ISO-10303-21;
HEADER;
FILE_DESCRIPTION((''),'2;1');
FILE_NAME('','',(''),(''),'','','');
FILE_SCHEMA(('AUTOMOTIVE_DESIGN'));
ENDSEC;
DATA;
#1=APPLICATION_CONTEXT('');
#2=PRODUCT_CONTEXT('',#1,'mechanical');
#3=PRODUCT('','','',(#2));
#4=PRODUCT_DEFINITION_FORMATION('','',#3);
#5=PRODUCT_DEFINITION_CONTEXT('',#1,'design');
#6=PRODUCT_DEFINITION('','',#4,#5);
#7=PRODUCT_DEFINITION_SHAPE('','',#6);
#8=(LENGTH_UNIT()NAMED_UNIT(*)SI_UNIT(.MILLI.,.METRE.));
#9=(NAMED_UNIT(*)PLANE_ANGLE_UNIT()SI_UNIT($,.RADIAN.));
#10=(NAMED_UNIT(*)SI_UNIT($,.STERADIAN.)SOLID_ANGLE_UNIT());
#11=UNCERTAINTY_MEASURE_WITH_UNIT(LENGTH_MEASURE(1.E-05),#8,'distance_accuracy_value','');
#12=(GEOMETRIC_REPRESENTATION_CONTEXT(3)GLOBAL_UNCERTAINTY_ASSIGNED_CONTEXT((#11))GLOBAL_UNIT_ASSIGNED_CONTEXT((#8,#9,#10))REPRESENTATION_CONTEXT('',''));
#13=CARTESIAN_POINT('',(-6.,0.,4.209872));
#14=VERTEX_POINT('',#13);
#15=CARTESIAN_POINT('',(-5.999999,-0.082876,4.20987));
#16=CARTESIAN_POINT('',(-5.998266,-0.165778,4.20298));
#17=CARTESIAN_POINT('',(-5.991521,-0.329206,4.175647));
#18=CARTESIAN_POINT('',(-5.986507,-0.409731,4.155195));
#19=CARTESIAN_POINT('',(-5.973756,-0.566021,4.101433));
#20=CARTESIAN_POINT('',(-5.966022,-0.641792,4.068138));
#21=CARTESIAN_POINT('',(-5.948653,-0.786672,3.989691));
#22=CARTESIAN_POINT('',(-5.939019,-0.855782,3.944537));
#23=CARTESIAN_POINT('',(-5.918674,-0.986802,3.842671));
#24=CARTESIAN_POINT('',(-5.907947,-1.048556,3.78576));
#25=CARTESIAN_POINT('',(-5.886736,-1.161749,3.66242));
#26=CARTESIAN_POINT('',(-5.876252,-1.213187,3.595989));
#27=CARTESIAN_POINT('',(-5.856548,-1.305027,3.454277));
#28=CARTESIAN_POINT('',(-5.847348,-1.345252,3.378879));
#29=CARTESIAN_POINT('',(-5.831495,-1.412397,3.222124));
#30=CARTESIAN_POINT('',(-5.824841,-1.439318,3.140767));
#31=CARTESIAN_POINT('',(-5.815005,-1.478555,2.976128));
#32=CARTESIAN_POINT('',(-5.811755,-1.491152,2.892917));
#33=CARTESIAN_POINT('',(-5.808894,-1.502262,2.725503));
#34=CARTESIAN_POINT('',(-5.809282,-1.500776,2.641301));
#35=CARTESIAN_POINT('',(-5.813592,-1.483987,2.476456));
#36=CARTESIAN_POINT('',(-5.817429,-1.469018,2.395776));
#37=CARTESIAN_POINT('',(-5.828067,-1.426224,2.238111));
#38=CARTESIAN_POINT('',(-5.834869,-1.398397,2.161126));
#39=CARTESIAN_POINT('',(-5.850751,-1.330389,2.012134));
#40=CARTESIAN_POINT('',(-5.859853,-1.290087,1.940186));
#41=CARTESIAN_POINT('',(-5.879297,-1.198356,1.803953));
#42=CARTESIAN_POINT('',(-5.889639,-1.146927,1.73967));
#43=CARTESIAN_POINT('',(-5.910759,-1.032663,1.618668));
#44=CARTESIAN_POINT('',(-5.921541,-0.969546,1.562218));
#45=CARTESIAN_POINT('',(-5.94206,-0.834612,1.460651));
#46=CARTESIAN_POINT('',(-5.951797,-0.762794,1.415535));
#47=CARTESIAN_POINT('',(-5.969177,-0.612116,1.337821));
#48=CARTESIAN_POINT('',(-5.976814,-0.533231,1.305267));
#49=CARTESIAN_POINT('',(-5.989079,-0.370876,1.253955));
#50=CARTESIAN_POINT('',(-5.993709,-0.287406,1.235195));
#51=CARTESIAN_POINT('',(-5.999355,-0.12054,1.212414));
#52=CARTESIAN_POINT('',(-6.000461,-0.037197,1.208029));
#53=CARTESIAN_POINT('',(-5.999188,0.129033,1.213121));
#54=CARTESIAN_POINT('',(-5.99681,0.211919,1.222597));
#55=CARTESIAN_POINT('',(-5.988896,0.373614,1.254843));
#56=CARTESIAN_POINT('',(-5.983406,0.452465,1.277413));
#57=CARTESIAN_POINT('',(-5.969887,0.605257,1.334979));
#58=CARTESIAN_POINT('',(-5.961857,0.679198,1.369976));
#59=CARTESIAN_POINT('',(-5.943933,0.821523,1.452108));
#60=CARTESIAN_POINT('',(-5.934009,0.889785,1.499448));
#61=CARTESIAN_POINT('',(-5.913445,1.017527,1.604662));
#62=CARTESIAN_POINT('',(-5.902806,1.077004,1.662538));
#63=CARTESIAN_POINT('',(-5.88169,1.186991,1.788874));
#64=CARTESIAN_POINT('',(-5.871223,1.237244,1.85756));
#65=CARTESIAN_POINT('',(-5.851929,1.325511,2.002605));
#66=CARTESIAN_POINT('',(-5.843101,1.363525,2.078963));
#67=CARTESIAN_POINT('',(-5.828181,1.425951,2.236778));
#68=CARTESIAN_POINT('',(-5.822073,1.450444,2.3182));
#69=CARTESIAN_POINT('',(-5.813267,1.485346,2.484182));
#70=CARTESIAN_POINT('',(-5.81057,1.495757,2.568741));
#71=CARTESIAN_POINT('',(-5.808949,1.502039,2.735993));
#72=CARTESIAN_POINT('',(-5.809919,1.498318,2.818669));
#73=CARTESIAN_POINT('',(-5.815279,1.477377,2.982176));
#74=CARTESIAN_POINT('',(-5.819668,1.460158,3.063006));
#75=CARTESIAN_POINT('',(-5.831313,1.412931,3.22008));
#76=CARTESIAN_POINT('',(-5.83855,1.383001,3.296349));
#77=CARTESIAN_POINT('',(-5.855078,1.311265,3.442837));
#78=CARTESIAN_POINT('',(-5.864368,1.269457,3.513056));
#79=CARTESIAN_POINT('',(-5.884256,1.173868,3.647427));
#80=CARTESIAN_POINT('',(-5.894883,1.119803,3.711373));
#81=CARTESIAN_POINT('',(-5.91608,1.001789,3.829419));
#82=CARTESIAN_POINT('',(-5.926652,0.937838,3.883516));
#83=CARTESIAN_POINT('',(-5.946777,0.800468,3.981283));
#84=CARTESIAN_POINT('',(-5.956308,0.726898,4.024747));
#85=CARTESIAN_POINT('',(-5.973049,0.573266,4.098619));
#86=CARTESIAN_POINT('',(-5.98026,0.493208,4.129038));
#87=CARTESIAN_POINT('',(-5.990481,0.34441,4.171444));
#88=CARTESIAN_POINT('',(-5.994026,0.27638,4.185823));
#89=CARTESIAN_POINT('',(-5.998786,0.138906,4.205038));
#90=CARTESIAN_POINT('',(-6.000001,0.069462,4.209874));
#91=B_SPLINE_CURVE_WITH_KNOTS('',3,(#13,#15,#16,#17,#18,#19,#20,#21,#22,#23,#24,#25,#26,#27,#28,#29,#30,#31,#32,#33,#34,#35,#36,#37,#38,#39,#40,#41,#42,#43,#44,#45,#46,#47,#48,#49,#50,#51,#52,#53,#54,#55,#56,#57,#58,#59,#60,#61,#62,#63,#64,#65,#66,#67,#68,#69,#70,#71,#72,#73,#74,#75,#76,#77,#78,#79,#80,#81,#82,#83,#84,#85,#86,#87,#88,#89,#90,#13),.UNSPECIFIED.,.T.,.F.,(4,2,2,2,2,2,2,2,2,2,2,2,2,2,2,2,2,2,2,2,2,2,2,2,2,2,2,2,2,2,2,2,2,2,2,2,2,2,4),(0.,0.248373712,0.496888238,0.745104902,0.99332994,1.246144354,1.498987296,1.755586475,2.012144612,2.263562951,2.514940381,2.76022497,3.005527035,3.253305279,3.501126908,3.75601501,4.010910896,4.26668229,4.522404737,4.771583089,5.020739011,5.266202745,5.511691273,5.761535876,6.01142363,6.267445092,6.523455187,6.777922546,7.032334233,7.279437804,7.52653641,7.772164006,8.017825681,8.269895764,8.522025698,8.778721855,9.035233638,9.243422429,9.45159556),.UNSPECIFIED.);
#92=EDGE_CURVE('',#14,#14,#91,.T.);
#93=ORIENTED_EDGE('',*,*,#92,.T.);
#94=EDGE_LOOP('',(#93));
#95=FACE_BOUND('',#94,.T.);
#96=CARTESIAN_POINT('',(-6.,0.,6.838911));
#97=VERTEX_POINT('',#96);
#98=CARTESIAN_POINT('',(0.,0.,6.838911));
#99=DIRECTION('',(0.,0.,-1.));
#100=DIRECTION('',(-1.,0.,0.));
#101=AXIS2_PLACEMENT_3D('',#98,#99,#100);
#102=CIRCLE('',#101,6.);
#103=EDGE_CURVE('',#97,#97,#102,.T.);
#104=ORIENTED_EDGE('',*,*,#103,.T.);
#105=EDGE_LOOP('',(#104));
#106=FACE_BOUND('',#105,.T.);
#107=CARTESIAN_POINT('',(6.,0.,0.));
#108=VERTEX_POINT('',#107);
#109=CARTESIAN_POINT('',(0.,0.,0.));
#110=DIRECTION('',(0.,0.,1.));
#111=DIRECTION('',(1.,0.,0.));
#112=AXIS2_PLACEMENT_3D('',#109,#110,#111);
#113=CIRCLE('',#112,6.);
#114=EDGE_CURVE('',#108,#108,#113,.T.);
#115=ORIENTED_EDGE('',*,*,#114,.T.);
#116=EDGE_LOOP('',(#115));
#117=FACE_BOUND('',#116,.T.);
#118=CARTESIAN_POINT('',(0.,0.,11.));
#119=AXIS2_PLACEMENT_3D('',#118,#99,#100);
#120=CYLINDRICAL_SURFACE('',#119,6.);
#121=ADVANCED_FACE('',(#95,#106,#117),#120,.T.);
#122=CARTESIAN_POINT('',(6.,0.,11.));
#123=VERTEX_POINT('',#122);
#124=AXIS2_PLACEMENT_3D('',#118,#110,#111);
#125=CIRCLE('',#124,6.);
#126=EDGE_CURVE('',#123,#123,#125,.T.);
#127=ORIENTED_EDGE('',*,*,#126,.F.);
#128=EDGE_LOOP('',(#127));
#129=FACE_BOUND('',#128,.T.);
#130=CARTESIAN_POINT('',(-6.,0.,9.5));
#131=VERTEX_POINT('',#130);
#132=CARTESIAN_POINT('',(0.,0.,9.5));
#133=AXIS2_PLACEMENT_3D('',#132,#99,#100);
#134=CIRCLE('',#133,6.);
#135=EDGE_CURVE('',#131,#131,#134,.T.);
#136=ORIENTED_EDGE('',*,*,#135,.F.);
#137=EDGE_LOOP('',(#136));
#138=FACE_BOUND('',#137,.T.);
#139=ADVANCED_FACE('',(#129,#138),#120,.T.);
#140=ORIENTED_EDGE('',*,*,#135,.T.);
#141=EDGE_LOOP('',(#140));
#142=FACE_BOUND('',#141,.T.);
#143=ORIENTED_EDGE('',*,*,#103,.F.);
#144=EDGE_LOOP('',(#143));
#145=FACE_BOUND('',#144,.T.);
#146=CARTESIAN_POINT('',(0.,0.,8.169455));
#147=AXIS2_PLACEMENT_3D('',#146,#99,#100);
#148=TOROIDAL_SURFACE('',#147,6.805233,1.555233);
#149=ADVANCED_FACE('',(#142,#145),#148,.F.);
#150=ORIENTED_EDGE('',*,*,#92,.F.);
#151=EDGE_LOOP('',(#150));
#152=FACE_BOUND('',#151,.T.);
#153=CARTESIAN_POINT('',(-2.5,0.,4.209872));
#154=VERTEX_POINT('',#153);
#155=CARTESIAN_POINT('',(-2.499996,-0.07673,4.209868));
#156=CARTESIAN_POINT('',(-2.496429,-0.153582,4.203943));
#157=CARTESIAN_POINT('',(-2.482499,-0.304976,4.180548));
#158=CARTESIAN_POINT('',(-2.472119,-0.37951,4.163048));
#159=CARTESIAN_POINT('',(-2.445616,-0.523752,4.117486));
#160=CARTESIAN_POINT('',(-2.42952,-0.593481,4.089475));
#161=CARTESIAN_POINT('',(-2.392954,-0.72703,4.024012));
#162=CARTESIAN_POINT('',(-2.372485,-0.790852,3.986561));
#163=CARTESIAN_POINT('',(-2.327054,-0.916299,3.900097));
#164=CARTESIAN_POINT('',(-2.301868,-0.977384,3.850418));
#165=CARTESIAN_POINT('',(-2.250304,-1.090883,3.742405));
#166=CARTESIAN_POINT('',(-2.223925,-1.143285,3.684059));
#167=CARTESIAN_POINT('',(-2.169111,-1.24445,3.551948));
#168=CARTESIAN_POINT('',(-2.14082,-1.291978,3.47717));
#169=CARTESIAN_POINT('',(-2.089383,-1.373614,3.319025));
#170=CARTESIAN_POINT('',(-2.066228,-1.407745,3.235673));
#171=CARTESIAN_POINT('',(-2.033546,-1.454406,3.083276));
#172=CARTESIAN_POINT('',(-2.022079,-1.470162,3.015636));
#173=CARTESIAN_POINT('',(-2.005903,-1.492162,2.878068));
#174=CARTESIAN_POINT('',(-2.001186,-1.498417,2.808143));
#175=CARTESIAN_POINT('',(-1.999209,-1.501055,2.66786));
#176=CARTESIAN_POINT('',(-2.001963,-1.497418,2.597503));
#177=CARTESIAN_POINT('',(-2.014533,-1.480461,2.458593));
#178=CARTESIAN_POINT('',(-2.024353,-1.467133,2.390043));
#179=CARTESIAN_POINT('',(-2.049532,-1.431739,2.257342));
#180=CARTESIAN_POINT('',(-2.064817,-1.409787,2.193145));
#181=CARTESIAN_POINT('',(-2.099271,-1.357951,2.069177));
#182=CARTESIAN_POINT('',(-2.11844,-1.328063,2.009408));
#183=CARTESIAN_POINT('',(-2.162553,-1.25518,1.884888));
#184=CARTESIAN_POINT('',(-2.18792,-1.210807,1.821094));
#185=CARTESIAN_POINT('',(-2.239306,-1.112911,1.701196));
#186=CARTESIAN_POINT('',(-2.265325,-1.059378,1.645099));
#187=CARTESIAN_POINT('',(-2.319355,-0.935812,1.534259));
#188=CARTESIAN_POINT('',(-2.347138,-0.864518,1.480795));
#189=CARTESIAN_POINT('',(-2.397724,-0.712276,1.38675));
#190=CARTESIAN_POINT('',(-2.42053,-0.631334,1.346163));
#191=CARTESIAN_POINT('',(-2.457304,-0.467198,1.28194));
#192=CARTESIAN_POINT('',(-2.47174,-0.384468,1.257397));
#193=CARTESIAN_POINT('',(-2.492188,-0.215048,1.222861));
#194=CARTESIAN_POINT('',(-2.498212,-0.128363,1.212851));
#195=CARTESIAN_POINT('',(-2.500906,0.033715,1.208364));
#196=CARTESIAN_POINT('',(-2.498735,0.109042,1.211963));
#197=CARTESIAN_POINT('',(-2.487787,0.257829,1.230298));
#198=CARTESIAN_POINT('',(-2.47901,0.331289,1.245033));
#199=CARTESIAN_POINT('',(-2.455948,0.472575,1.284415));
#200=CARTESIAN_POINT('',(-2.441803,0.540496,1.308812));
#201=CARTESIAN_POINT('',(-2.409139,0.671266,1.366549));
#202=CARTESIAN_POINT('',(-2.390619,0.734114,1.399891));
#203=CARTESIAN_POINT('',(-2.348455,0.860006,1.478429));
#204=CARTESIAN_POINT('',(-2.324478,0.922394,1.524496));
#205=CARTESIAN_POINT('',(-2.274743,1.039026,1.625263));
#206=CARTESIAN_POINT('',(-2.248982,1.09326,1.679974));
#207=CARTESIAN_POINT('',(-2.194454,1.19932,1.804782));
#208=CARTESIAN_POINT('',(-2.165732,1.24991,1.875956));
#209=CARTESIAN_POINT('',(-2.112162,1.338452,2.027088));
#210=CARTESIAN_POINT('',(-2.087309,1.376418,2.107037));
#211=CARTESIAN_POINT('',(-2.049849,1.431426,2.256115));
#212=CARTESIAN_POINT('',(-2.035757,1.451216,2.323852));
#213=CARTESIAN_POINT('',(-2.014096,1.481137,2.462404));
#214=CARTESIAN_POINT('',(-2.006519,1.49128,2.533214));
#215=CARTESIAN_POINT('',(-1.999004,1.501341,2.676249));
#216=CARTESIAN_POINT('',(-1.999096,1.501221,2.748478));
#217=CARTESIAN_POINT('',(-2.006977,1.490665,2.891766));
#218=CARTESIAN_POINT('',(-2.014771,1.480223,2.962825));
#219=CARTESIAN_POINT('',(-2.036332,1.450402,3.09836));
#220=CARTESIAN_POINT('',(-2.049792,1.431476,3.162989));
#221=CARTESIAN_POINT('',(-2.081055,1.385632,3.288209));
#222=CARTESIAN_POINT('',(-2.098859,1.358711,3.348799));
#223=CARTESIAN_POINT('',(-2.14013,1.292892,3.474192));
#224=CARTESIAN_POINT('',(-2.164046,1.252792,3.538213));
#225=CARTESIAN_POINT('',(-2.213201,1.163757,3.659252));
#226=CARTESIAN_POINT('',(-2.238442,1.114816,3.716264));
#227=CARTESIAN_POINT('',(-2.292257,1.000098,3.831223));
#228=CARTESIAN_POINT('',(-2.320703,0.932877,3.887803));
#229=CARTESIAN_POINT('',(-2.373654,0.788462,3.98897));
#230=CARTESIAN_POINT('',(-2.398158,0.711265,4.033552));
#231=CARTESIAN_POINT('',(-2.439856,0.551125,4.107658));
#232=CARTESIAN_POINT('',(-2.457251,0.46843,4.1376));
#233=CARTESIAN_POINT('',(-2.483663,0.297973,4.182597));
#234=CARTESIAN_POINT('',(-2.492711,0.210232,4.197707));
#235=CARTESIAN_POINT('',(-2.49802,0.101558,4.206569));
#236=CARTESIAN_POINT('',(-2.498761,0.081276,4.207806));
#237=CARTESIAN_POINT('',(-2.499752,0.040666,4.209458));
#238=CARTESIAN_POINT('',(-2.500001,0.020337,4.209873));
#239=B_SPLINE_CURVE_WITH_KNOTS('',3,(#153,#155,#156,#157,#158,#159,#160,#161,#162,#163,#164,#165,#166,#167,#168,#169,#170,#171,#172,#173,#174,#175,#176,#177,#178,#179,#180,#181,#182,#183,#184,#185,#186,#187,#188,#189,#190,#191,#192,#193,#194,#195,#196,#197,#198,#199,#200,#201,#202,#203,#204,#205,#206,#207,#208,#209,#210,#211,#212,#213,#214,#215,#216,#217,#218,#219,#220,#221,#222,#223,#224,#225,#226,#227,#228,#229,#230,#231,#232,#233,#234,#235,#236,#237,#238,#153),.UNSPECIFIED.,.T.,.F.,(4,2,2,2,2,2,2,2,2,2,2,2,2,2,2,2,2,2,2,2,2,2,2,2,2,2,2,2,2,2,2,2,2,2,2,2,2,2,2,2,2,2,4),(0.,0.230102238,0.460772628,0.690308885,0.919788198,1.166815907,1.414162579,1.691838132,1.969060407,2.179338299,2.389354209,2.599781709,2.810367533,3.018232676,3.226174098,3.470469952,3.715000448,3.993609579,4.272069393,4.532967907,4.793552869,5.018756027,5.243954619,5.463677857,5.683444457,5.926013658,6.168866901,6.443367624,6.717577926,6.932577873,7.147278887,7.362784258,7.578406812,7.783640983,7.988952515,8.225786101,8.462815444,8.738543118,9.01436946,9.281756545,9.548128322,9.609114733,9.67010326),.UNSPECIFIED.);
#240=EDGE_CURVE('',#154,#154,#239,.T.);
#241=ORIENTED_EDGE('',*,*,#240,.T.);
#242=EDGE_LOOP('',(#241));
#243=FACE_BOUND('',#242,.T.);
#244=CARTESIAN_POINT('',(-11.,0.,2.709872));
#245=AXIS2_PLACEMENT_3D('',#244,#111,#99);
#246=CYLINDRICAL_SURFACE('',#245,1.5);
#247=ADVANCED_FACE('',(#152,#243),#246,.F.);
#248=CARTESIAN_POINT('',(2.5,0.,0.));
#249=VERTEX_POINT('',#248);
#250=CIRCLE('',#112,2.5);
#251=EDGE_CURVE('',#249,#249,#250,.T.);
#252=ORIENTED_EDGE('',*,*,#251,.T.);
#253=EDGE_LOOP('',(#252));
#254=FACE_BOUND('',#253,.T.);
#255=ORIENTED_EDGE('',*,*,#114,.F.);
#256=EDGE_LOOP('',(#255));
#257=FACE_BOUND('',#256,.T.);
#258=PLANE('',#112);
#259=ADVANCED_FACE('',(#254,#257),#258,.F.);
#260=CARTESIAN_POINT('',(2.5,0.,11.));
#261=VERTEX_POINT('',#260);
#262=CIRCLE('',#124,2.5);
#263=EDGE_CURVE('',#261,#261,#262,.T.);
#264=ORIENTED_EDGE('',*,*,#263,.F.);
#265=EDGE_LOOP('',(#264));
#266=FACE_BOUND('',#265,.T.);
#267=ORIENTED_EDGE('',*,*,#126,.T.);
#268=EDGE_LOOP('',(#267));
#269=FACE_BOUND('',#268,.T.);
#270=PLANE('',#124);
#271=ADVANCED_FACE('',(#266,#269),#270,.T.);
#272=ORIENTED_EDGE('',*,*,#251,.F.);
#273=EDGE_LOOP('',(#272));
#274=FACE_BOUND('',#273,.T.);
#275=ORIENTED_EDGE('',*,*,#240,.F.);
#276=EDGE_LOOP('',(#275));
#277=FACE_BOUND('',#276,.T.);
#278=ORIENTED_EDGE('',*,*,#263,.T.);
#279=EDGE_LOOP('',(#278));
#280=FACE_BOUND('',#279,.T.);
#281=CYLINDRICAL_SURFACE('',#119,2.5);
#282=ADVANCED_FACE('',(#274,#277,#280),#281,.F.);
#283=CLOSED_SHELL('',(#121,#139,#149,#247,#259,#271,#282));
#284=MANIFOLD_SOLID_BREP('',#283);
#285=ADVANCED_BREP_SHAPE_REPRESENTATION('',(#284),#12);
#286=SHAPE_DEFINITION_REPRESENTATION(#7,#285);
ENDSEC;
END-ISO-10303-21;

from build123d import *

# Parameters (mm, degrees)
SKICA1_R                 = 6
SKICA1_R_2               = 2.5
P_IDAT_VYSUNUT_M1_DEPTH  = 11
SKICA3_R                 = 1.5
ODEBRAT_VYSUNUT_M1_DEPTH = 11


with BuildPart() as part:
    # Skica1 → Přidat vysunutím1 (new body)
    with BuildSketch(Plane.XY):
        Circle(SKICA1_R)
        Circle(SKICA1_R_2, mode=Mode.SUBTRACT)
    extrude(amount=P_IDAT_VYSUNUT_M1_DEPTH)

    # Skica2 → Odebrat rotací1 (revolve, cut)
    with BuildSketch(Plane(origin=(0, 0, 0), x_dir=(0, 0, -1), z_dir=(1, 0, 0)), mode=Mode.PRIVATE) as odebrat_rotac_1_sk:
        with BuildLine():
            Line((-6.838910778, 6), (-9.5, 6))
            ThreePointArc((-9.5, 6), (-8.169455389, 5.25), (-6.838910778, 6))
        make_face()
    revolve(odebrat_rotac_1_sk.sketch.rotate(Axis((0, 0, 0), (0, 0, 1)), 90), axis=Axis((0, 0, 0), (0, 0, 1)), mode=Mode.SUBTRACT)

    # Skica3 → Odebrat vysunutím1 (cut)
    with BuildSketch(Plane(origin=(0, 0, 0), x_dir=(0, 0, -1), z_dir=(1, 0, 0))):
        with Locations(Location((-2.709871991, 0, 0), (0, 0, 180))):
            Circle(SKICA3_R)
    extrude(amount=-ODEBRAT_VYSUNUT_M1_DEPTH, mode=Mode.SUBTRACT)


solid = part.part
